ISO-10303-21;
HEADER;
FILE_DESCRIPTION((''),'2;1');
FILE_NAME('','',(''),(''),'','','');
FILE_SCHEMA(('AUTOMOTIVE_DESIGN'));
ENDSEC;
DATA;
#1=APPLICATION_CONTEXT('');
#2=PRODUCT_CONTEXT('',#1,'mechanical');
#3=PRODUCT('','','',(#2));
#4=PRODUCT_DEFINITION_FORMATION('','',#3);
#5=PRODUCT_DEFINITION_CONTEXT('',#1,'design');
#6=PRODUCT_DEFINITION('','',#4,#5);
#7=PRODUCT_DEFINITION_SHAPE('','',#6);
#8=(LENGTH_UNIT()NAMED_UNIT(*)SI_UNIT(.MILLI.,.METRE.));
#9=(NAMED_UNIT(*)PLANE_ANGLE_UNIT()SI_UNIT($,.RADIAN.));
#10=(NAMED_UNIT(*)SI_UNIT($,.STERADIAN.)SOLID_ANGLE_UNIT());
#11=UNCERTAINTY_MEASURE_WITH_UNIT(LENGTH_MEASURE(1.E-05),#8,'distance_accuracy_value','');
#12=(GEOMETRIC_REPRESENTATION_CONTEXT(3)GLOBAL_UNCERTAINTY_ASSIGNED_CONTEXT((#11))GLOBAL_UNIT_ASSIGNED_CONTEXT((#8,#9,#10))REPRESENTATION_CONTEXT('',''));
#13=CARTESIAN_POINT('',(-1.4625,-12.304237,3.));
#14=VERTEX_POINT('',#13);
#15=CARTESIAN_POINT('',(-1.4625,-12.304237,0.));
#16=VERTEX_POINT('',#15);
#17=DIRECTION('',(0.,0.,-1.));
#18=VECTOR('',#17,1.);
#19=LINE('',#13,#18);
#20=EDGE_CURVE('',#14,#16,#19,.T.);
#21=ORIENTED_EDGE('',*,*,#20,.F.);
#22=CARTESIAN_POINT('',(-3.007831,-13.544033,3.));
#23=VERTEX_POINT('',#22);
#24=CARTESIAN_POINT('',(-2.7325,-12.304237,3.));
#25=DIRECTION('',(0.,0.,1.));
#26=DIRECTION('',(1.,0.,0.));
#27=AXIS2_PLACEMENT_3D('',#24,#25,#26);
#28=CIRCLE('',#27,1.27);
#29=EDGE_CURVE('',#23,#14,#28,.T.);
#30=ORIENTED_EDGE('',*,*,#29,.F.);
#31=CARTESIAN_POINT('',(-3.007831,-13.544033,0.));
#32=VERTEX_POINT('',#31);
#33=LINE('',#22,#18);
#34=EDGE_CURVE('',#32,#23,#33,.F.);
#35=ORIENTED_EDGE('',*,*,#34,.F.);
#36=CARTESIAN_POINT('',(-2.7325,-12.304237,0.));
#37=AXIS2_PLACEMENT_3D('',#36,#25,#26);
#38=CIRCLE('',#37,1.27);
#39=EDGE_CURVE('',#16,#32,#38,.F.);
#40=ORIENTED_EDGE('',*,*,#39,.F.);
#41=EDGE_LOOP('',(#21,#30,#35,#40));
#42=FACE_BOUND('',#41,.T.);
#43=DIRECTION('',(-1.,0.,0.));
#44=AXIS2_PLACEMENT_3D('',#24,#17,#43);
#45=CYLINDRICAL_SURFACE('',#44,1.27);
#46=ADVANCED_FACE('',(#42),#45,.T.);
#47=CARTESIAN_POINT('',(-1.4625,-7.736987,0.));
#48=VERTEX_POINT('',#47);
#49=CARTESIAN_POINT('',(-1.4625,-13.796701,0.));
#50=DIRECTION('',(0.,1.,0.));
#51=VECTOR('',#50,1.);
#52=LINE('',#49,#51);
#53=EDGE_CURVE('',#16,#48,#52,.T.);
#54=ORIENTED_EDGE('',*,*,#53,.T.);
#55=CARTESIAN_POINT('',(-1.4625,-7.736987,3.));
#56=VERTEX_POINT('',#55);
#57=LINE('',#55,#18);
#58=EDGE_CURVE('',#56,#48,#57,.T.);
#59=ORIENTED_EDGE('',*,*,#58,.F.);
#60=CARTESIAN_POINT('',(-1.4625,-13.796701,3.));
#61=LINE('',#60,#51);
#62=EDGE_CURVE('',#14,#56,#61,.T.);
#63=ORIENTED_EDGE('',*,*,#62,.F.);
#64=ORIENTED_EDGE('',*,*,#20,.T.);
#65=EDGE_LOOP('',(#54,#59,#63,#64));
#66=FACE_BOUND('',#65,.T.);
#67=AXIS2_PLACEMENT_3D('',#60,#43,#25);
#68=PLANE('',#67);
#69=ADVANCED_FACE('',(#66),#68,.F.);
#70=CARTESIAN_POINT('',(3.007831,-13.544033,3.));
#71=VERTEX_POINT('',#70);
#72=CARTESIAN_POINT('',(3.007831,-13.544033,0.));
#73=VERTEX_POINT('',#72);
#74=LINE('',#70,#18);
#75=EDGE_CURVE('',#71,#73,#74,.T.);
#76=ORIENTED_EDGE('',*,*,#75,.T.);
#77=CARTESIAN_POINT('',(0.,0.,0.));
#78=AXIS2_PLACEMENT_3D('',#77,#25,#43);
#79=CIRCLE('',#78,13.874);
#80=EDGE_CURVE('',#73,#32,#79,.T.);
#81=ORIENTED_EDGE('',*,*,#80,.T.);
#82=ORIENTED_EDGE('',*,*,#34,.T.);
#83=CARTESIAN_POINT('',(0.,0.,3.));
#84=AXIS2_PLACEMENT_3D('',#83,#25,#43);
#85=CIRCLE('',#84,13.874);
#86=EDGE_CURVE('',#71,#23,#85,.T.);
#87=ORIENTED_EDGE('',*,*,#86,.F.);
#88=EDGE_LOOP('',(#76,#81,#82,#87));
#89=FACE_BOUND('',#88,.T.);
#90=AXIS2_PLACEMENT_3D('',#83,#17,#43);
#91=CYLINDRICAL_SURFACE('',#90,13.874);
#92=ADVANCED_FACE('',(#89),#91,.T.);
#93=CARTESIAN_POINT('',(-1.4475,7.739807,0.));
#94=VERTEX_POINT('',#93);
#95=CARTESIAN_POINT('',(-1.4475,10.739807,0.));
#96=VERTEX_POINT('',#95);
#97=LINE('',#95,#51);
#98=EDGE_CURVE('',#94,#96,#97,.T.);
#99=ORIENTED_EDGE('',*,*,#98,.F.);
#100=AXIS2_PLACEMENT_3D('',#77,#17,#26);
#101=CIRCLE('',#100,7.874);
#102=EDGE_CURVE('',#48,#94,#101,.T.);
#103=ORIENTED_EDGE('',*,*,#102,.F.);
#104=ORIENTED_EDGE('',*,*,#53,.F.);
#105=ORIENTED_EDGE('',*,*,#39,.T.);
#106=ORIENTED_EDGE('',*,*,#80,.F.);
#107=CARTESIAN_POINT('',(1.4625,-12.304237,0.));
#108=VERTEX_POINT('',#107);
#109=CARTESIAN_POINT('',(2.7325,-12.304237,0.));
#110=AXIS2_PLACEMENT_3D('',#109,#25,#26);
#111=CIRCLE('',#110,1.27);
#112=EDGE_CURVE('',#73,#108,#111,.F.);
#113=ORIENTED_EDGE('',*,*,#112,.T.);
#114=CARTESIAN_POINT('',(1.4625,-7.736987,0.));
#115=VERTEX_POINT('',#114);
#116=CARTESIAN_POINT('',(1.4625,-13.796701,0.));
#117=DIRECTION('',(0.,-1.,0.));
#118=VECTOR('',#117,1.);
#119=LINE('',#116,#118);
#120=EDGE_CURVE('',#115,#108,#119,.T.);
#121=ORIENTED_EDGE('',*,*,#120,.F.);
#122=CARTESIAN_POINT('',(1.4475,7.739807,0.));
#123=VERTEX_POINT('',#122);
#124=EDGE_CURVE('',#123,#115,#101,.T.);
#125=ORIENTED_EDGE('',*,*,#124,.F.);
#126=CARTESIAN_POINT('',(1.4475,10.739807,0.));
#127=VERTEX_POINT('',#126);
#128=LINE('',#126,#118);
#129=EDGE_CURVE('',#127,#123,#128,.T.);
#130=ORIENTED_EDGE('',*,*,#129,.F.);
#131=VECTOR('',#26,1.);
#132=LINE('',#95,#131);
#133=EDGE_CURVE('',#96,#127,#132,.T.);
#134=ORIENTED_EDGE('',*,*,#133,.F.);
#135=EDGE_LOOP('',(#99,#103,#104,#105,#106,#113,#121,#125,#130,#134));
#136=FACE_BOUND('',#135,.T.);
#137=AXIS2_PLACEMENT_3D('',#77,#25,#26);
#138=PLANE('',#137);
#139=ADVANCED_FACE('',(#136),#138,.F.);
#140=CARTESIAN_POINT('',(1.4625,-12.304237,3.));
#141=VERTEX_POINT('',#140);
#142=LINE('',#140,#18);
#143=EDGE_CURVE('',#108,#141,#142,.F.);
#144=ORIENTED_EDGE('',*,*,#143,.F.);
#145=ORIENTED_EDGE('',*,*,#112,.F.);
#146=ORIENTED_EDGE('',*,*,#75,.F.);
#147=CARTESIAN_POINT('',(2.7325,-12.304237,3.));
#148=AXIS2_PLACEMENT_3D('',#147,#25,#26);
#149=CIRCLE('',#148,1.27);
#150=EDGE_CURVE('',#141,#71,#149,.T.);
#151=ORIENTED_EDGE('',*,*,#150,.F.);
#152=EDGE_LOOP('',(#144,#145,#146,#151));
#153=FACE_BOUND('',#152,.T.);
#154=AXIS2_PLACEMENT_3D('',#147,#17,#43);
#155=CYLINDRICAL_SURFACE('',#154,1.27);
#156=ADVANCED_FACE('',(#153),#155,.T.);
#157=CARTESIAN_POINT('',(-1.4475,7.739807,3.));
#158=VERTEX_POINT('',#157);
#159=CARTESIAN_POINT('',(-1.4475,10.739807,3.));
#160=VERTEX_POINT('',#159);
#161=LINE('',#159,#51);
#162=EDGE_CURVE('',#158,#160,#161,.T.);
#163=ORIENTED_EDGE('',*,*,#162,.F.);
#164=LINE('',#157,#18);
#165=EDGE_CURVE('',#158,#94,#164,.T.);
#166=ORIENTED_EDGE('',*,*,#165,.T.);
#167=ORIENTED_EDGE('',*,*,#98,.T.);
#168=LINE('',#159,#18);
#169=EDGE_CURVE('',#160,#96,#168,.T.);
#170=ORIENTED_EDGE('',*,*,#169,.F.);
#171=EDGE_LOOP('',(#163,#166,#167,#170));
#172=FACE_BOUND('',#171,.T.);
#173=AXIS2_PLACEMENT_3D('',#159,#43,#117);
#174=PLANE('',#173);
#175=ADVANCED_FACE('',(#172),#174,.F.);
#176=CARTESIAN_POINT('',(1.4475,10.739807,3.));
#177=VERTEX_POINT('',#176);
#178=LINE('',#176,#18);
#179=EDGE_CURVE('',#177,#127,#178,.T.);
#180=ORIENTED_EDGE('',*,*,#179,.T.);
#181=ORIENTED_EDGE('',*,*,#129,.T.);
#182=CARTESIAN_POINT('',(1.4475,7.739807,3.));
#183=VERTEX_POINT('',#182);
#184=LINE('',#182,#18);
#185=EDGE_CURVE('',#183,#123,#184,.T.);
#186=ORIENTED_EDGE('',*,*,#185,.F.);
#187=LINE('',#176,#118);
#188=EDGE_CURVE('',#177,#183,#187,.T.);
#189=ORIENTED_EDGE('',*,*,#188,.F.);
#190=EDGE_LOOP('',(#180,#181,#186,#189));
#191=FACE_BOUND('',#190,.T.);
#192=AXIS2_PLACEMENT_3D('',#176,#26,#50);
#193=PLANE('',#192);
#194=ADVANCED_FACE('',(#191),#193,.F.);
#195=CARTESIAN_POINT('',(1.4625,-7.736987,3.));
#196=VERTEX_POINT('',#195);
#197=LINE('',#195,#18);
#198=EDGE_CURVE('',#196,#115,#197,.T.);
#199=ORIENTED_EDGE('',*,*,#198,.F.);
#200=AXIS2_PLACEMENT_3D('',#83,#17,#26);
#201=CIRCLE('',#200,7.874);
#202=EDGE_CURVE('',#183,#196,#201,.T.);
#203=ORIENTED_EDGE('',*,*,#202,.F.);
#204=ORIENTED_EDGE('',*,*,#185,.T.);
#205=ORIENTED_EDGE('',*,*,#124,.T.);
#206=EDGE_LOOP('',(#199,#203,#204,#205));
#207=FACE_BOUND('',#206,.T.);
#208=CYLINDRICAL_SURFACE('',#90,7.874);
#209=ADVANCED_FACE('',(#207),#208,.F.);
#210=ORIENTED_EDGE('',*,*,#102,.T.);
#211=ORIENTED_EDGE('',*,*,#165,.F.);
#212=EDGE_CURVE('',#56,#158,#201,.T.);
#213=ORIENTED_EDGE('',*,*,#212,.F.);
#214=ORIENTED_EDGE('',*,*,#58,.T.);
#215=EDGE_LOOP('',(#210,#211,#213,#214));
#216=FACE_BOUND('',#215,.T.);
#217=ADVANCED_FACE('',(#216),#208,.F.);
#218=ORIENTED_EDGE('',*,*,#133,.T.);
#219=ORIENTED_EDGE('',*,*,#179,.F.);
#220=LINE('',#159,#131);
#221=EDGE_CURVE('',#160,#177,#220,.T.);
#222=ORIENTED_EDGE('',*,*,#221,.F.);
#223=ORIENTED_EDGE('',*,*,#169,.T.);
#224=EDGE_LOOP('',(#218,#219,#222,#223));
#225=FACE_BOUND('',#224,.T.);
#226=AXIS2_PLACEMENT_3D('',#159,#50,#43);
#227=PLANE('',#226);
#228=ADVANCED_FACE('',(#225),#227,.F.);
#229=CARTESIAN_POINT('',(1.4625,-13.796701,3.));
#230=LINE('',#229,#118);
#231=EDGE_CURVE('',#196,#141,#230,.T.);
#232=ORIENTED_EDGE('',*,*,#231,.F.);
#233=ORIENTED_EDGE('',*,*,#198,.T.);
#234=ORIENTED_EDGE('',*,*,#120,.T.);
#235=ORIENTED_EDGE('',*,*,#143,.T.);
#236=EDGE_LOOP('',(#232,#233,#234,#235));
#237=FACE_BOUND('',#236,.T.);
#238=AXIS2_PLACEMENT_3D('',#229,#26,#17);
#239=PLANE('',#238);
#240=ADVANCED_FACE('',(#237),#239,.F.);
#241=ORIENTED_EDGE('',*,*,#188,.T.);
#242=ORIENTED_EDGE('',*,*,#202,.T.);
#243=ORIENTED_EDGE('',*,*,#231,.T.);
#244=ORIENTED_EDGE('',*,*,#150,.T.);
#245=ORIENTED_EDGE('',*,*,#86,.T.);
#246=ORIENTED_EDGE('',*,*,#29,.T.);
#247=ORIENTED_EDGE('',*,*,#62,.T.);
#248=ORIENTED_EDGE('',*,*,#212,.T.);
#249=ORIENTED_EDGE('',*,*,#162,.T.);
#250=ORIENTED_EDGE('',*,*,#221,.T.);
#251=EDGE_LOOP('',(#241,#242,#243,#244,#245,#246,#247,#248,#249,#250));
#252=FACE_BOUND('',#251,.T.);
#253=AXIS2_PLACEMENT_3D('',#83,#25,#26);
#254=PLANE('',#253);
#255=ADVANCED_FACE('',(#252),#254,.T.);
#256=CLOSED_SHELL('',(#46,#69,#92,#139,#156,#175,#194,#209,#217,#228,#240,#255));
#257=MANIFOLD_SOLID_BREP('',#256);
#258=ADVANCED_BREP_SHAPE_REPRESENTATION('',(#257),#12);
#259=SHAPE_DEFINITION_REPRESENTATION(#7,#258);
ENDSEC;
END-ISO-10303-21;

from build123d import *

# Parameters (mm, degrees)
EXTRUDE_1_DEPTH = 3
FILLET_1_R      = 1.27


with BuildPart() as part:
    # 스케치1 → 보스-돌출1 (new body)
    with BuildSketch(Plane.XY):
        with BuildLine():
            Line((-1.4475, 10.739807475), (1.4475, 10.739807475))
            Line((1.4475, 10.739807475), (1.4475, 7.739807475))
            ThreePointArc((1.4475, 7.739807475), (7.873996302, 0.007631422), (1.4625, -7.736987124))
            Line((1.4625, -7.736987124), (1.4625, -13.796701408))
            ThreePointArc((1.4625, -13.796701408), (0, 13.874), (-1.4625, -13.796701408))
            Line((-1.4625, -13.796701408), (-1.4625, -7.736987124))
            ThreePointArc((-1.4625, -7.736987124), (-7.873996302, 0.007631422), (-1.4475, 7.739807475))
            Line((-1.4475, 7.739807475), (-1.4475, 10.739807475))
        make_face()
    extrude(amount=EXTRUDE_1_DEPTH)

    # 필렛1
    fillet_1_edges = [part.edges().sort_by_distance(p)[0] for p in [
        (-1.4625, -13.796701408, 1.5),
        (1.4625, -13.796701408, 1.5),
    ]]
    fillet(fillet_1_edges, radius=FILLET_1_R)


solid = part.part
